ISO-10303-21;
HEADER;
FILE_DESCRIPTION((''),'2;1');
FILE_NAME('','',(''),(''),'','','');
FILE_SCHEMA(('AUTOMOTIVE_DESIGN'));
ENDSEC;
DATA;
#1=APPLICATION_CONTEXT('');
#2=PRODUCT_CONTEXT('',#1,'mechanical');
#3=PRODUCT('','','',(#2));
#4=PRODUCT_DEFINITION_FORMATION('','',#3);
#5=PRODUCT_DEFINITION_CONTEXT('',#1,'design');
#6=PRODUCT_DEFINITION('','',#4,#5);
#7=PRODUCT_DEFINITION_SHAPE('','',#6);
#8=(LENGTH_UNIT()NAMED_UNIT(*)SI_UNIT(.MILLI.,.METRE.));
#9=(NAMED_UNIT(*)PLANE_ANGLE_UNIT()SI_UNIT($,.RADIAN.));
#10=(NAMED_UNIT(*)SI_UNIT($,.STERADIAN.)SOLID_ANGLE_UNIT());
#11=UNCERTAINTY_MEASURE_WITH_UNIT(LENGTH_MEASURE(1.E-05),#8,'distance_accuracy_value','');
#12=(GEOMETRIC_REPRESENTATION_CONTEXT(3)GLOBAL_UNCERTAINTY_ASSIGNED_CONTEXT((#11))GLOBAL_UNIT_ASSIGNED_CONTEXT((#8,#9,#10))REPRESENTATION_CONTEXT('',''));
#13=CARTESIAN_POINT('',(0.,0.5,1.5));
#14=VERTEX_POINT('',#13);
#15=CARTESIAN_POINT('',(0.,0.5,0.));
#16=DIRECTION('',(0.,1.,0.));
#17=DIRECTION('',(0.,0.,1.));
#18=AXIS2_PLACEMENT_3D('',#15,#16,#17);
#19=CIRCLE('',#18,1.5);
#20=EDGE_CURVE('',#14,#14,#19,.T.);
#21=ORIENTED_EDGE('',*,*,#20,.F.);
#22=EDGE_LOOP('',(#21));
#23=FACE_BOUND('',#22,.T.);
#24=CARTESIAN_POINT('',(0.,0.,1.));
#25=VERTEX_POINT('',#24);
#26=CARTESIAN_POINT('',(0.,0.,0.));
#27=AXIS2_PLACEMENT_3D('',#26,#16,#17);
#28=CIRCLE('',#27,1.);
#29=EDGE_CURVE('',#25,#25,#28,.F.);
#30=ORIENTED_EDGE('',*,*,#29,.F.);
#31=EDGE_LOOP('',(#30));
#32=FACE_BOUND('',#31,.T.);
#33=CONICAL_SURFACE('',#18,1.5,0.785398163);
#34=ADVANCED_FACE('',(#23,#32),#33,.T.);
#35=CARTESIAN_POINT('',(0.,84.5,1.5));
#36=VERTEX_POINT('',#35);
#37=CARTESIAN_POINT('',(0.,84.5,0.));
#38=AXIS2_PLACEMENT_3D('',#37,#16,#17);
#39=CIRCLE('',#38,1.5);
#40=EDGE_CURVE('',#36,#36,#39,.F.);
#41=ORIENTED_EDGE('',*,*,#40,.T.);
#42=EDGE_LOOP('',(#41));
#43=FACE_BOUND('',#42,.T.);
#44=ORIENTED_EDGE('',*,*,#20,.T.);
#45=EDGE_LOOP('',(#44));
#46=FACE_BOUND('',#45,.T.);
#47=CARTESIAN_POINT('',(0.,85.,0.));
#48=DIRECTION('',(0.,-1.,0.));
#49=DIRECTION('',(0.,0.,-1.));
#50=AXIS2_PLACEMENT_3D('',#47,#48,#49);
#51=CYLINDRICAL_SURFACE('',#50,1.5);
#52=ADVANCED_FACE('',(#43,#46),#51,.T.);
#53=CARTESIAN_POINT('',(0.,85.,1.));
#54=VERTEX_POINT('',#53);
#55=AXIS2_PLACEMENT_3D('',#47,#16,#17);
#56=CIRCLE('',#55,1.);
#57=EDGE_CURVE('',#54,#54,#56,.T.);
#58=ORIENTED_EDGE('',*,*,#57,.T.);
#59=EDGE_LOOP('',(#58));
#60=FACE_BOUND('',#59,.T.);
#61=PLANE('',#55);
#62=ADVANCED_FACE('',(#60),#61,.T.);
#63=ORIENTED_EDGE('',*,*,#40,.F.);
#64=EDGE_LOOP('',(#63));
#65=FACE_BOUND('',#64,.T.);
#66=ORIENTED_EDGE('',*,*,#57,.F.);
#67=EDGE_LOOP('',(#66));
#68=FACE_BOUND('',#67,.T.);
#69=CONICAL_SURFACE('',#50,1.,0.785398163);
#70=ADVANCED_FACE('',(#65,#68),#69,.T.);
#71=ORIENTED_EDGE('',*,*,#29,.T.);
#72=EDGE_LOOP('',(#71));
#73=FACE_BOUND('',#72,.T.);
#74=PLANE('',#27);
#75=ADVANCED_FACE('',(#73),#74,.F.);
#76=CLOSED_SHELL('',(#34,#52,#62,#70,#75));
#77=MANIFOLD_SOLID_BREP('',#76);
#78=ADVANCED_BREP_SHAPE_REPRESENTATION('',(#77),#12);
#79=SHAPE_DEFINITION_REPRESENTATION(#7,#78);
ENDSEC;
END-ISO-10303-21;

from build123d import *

# Parameters (mm, degrees)
SKETCH2_R           = 1.5
BOSS_EXTRUDE1_DEPTH = 85
CHAMFER1_SIZE       = 0.5


with BuildPart() as part:
    # Sketch2 → Boss-Extrude1 (new body)
    with BuildSketch(Plane(origin=(0, 0, 0), x_dir=(1, 0, 0), z_dir=(0, 1, 0))):
        Circle(SKETCH2_R)
    extrude(amount=BOSS_EXTRUDE1_DEPTH)

    # Chamfer1
    chamfer1_edges = [part.edges().sort_by_distance(p)[0] for p in [
        (-1.5, 0, 0),
        (-1.5, 85, 0),
    ]]
    chamfer(chamfer1_edges, length=CHAMFER1_SIZE)


solid = part.part
